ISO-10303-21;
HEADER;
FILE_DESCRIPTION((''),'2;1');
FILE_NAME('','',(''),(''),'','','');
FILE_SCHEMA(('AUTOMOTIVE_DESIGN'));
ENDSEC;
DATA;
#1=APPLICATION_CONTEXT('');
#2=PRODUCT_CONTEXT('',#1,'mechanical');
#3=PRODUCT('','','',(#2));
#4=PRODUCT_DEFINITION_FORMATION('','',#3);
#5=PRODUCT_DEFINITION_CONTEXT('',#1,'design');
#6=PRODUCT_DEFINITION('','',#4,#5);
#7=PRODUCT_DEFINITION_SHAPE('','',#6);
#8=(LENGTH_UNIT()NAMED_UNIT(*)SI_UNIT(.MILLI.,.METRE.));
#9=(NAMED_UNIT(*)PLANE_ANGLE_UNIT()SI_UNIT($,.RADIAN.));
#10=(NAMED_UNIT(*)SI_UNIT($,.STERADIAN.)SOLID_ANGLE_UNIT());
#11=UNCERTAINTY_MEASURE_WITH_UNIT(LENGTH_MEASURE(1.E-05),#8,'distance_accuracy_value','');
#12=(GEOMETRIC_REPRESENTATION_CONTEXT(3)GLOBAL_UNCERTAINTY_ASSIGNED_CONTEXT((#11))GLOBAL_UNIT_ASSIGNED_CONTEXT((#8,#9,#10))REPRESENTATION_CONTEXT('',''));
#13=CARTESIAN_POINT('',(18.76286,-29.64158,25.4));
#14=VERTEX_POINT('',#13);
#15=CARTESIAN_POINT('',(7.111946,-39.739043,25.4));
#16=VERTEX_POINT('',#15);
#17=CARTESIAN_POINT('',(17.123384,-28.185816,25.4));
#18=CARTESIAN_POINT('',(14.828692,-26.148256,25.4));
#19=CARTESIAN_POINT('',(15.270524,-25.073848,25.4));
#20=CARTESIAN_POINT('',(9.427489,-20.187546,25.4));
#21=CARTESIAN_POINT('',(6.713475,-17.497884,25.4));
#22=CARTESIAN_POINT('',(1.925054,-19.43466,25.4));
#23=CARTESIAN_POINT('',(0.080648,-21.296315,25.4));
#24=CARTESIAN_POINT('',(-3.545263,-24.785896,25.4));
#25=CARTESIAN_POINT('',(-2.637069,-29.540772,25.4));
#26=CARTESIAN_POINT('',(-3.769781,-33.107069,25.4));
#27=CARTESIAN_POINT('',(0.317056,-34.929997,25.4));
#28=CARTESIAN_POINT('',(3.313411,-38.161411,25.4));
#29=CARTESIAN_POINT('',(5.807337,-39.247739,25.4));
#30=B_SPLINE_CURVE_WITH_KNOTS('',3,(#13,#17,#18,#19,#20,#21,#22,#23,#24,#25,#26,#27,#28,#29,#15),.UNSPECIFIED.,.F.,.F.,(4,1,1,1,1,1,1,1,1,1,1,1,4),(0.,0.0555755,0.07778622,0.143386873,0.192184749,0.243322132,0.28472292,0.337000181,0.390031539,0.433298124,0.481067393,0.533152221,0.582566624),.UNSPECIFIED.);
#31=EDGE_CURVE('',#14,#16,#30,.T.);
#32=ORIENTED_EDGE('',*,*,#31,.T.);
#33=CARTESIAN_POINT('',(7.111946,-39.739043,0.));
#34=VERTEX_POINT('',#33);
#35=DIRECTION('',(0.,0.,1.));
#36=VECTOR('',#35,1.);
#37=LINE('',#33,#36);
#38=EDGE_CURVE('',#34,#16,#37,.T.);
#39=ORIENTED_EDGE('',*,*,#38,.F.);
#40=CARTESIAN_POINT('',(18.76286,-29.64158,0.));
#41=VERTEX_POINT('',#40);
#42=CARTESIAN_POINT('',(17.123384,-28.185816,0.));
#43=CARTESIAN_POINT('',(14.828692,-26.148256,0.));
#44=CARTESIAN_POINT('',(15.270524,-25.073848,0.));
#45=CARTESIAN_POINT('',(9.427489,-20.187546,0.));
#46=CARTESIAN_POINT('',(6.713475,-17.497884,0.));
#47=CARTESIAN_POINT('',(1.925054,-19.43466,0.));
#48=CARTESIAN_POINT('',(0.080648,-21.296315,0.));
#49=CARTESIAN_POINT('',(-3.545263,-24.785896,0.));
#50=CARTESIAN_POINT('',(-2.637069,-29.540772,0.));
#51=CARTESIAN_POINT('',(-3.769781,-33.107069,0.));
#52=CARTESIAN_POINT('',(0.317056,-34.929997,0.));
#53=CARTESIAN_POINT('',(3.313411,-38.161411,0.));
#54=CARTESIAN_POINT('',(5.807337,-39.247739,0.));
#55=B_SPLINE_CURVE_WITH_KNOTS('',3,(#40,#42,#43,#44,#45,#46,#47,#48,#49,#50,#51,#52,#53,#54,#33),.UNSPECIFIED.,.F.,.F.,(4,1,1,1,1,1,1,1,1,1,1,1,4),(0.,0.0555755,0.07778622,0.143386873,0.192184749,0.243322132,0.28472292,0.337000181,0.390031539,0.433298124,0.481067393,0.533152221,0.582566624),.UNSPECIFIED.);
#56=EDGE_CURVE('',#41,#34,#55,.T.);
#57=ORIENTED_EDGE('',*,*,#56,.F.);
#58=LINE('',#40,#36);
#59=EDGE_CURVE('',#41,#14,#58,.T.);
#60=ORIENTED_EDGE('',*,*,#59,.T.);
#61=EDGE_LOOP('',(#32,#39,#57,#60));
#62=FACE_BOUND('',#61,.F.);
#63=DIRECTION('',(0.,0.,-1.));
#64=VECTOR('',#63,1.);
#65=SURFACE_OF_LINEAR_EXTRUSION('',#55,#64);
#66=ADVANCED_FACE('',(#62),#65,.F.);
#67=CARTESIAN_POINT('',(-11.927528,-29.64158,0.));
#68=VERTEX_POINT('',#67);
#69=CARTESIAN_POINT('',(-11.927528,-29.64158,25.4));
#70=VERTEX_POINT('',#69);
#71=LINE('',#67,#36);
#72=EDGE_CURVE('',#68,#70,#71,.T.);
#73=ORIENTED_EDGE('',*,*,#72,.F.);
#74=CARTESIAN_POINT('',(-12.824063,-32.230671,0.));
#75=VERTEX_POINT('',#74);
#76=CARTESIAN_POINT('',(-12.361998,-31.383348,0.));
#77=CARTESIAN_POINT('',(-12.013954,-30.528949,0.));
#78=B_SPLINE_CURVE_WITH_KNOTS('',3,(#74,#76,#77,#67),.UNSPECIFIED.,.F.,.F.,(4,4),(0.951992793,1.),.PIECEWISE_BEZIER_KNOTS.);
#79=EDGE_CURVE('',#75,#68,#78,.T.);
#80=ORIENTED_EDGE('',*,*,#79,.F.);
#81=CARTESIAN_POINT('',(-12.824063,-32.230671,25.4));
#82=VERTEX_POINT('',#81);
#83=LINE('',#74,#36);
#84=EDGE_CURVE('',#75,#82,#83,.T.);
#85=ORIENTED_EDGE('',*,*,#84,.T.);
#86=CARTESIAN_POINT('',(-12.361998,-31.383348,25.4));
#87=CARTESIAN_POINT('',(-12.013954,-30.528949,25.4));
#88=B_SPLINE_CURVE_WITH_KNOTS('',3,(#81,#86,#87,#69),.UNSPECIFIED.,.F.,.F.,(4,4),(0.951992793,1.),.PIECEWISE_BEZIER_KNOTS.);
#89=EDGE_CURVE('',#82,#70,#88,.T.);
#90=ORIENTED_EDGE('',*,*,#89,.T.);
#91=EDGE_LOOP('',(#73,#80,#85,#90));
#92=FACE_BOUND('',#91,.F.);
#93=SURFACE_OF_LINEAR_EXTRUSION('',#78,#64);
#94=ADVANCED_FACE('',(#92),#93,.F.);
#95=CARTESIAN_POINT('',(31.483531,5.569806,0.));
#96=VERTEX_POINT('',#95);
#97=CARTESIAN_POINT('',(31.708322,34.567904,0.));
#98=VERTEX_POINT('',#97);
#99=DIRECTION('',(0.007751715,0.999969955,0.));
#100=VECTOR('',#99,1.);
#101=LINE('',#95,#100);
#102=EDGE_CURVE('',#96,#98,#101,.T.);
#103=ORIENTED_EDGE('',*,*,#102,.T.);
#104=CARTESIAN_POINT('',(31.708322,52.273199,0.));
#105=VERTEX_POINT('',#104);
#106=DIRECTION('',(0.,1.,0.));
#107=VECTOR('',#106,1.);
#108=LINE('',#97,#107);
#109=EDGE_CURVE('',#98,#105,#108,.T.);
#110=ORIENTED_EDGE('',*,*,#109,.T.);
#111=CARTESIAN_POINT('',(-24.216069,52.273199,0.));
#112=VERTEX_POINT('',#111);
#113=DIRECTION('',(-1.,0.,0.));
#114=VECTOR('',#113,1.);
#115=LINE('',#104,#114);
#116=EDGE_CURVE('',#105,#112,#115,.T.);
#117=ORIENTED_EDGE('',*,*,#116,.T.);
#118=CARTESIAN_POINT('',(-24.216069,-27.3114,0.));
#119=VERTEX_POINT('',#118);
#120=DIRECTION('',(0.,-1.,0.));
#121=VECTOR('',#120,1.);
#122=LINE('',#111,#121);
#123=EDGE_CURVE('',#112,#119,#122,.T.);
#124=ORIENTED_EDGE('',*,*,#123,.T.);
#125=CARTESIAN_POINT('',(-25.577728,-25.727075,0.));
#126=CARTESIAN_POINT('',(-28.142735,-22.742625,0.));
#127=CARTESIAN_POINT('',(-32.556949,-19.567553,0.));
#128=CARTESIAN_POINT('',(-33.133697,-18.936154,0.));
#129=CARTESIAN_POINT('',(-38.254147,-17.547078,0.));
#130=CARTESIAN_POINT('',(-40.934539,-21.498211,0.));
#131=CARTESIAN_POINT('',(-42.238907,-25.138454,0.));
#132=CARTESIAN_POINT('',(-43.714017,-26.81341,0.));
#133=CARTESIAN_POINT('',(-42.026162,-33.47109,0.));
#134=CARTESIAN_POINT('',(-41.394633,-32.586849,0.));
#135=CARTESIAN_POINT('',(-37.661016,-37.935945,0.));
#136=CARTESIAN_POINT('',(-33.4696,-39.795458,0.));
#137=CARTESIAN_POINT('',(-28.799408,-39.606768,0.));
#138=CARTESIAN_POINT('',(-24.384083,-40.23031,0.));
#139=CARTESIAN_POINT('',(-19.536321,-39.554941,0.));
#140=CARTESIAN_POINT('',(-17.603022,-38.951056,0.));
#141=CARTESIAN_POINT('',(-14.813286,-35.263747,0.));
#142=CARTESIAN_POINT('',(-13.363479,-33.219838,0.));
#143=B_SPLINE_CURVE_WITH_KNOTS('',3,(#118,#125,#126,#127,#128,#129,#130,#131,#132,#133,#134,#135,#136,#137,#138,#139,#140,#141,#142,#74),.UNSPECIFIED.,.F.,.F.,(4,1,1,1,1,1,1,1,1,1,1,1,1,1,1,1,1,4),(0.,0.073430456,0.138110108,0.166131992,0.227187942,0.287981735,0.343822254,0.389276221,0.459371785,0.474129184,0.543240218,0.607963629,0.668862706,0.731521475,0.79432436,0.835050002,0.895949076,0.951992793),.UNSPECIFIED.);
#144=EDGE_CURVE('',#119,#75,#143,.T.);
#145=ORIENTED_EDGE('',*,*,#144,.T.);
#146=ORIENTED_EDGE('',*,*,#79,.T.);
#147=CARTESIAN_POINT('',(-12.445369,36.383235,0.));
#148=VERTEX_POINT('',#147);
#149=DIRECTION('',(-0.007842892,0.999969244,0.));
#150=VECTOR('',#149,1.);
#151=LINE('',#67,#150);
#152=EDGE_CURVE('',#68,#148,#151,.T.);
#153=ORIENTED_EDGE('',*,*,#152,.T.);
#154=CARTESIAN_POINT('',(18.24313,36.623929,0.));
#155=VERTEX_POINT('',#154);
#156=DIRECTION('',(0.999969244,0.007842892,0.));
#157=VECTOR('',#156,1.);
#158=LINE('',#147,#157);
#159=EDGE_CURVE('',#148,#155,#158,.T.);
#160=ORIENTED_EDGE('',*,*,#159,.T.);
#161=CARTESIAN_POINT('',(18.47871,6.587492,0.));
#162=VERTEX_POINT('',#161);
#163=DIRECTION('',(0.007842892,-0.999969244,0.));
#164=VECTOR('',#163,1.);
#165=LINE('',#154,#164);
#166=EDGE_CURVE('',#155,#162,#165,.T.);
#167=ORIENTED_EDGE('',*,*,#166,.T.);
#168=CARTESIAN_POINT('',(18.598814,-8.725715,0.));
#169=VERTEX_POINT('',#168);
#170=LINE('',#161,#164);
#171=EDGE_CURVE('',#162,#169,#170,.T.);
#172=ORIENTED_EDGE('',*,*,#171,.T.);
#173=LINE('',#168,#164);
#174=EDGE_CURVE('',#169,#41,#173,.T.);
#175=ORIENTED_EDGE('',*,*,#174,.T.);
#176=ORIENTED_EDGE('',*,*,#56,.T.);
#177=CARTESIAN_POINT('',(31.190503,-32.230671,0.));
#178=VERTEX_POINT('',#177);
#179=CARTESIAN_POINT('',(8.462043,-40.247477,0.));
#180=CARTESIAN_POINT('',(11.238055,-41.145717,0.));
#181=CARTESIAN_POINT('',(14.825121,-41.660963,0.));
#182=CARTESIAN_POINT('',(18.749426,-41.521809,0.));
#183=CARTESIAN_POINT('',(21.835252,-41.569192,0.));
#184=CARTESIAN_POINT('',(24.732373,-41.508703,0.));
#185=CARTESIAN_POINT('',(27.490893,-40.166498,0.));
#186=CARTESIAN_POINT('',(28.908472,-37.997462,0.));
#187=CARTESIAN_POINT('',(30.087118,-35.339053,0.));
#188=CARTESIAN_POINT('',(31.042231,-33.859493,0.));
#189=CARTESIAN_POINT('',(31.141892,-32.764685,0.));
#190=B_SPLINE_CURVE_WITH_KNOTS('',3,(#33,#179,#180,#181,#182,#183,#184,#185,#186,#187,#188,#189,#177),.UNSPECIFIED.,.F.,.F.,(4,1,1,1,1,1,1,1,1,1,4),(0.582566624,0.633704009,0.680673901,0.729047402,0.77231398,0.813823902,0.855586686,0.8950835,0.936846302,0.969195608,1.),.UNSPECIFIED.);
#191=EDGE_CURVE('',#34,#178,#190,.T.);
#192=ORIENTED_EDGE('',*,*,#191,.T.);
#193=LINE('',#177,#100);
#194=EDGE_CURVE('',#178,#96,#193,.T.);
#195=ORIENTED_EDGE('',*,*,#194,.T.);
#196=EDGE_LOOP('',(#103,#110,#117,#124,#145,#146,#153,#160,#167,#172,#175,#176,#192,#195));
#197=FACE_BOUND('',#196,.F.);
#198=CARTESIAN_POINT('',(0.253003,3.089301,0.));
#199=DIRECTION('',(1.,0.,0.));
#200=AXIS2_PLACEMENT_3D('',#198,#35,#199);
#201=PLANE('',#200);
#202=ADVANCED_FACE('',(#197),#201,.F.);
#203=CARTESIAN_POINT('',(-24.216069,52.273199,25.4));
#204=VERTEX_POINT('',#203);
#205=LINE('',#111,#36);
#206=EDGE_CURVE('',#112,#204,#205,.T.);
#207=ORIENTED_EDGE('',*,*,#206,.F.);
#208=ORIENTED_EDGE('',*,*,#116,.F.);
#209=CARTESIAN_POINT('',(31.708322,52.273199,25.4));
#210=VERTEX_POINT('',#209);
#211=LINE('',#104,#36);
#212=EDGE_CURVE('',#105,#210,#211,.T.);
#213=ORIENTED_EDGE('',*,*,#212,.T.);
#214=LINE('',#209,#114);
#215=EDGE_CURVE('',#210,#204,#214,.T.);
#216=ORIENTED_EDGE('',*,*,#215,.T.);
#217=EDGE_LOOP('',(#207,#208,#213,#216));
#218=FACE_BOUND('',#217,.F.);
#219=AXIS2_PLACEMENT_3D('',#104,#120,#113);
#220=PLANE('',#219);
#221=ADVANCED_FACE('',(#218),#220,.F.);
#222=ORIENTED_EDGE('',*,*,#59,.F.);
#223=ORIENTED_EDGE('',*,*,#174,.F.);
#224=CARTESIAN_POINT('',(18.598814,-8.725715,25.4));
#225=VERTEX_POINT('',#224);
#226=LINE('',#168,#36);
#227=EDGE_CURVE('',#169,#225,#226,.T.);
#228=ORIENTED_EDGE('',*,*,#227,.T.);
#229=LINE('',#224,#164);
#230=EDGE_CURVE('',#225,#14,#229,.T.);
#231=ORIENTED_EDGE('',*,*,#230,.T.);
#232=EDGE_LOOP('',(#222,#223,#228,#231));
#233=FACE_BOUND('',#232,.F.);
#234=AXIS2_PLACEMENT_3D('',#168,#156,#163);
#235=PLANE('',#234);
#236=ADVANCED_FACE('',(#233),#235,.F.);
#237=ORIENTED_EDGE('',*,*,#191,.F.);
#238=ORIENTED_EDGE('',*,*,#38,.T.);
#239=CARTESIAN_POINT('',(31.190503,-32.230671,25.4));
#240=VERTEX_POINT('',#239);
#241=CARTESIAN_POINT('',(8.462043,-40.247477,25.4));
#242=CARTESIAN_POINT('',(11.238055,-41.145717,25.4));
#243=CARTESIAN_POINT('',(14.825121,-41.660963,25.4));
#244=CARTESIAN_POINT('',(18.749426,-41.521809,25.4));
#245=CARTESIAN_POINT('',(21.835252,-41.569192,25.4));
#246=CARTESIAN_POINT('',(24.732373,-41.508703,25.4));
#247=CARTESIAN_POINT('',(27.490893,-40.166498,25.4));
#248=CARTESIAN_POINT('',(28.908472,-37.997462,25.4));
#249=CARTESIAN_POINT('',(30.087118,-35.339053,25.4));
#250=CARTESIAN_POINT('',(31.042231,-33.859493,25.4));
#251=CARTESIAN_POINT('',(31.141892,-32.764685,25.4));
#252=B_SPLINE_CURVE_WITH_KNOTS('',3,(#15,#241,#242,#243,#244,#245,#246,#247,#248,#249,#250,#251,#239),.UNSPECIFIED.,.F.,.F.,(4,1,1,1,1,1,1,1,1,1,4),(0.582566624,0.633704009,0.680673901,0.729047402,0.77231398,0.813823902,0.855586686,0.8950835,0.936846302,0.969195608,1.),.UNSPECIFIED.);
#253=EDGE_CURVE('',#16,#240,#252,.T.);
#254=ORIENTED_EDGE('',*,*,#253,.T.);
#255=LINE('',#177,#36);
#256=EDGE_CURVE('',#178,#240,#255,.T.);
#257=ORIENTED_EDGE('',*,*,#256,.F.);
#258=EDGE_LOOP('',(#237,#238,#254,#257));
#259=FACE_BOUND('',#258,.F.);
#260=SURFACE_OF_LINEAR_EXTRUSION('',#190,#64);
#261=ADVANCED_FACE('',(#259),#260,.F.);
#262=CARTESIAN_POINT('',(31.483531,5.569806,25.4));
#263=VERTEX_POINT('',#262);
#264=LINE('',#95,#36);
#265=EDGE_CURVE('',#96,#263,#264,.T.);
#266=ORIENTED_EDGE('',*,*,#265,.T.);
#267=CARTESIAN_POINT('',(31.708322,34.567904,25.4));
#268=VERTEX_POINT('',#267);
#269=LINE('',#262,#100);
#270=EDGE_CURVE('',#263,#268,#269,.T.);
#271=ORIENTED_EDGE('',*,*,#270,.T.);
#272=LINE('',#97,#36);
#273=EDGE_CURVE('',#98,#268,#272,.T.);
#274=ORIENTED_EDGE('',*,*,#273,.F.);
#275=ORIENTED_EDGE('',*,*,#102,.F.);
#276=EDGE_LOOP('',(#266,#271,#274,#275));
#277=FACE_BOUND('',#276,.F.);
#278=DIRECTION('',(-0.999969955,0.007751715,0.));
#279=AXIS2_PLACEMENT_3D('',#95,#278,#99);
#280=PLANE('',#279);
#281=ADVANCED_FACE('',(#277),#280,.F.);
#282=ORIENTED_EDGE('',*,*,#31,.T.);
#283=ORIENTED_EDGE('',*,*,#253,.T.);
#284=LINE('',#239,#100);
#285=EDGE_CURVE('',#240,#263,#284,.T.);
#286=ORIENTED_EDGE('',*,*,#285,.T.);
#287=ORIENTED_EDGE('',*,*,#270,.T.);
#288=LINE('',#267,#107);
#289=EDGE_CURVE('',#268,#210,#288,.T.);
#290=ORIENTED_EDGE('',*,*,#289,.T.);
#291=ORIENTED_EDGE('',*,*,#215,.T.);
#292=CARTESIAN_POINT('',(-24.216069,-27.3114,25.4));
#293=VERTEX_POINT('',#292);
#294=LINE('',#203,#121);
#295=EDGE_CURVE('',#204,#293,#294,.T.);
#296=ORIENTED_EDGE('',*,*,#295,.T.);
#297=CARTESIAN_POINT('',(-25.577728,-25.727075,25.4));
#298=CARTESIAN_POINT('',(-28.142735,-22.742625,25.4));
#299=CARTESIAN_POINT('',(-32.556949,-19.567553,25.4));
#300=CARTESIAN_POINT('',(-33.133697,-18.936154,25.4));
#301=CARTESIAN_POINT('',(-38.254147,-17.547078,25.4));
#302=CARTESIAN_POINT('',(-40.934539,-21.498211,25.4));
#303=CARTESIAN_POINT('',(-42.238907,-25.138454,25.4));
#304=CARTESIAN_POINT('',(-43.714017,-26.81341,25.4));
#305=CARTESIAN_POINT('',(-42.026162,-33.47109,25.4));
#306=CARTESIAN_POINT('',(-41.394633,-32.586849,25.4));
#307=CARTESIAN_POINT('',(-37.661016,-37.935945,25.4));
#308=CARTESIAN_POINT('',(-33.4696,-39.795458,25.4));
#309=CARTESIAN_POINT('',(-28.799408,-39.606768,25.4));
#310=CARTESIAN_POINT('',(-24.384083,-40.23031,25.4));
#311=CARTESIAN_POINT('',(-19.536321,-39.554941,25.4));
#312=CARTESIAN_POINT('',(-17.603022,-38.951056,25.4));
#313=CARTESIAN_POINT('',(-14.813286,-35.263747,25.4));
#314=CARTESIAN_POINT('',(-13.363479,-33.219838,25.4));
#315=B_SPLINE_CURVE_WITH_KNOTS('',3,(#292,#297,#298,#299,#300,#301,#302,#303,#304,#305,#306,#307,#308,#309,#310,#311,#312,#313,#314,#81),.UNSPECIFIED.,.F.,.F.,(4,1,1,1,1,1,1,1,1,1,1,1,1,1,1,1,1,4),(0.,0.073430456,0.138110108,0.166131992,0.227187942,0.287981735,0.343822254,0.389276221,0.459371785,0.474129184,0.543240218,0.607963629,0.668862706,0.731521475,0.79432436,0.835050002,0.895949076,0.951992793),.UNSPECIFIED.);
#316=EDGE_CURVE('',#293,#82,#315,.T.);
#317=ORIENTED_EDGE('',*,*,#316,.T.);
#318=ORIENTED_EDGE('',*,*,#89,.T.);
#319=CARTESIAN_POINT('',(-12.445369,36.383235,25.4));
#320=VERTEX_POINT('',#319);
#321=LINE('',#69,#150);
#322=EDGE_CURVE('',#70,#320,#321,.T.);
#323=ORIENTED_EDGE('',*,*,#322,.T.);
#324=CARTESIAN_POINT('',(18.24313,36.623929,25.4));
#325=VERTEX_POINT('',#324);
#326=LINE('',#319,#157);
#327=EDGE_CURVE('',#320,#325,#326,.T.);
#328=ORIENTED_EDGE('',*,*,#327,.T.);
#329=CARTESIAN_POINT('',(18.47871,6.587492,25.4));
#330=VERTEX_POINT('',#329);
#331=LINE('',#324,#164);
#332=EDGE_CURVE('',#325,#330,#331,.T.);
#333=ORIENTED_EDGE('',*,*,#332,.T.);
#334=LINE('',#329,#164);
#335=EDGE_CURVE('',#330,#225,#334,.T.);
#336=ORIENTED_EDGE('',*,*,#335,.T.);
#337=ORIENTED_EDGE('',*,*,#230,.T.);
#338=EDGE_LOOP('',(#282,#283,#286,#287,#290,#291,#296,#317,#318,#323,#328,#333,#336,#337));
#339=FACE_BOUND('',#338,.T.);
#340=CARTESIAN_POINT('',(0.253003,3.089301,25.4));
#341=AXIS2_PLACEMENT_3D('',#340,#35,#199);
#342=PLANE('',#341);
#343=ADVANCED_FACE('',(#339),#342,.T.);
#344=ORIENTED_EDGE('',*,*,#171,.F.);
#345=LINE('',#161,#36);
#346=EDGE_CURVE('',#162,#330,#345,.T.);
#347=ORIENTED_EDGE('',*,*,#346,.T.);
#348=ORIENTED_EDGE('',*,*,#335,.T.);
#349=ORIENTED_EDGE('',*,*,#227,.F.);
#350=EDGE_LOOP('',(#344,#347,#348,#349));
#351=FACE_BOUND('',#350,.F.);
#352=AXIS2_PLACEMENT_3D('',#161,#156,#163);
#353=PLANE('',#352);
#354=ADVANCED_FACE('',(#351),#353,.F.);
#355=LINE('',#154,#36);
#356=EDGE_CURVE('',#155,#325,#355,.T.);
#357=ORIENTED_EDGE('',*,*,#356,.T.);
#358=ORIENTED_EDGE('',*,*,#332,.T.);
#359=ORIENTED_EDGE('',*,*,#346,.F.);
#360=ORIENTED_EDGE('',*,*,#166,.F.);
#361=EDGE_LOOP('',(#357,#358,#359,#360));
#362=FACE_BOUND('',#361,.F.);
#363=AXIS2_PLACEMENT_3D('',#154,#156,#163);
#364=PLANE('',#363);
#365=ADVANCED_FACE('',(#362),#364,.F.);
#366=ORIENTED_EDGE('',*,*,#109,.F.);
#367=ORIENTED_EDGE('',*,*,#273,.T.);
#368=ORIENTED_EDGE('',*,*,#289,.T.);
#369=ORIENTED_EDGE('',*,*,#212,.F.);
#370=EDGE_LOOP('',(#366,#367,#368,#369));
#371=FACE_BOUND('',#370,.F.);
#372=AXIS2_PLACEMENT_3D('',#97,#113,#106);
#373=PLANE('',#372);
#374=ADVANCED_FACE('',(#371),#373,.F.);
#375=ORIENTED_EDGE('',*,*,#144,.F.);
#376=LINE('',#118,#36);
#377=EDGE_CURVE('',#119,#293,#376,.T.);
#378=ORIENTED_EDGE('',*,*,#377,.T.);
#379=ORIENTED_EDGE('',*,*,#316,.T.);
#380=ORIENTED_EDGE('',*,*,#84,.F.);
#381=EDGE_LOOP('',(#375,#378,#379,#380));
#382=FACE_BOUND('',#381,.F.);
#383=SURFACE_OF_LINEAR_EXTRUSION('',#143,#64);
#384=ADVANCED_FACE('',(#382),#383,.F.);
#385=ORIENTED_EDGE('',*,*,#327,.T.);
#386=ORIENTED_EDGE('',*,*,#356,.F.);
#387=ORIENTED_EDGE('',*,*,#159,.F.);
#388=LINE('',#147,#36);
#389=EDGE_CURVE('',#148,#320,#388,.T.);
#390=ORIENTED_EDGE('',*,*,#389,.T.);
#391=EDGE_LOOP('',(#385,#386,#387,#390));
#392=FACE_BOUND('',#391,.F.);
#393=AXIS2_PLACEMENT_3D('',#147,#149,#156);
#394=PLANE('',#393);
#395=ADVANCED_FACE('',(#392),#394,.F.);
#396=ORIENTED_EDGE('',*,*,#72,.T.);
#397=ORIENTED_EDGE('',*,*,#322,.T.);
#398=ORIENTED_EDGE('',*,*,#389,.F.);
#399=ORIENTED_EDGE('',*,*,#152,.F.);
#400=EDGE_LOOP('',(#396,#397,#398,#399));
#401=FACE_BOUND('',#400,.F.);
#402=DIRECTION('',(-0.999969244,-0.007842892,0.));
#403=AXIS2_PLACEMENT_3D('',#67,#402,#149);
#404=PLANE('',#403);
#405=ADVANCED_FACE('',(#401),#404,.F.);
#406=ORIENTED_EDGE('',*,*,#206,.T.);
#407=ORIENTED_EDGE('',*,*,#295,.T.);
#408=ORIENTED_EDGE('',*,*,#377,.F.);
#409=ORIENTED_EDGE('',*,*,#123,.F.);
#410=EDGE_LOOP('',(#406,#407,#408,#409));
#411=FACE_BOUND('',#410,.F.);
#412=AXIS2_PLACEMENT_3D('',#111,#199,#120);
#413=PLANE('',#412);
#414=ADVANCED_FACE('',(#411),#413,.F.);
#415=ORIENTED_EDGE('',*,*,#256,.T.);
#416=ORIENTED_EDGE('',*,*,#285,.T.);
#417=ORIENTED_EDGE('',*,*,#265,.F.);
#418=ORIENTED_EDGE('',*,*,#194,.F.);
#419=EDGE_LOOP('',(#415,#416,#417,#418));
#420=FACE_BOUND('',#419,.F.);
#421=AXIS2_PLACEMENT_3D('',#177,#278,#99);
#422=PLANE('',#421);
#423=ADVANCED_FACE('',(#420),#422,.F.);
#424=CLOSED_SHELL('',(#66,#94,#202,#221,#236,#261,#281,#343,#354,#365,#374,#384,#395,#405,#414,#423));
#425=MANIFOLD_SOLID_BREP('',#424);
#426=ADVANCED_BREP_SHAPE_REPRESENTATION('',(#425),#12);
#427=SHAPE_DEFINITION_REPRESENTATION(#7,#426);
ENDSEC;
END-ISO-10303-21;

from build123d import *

# Parameters (mm, degrees)
F1_DEPTH = 25.4


with BuildPart() as f1:
    # F0 (on Top) → F1 (new body)
    with BuildSketch(Plane.XY):
        with BuildLine():
            Line((31.7083224654, 52.2731989622), (-24.2160689086, 52.2731989622))
            Line((-24.2160689086, 52.2731989622), (-24.2160689086, 6.3467985019))
            Line((-24.2160689086, 6.3467985019), (-24.2160689086, -27.311399579))
            add(Edge.make_bspline(
                [(-24.2160689086, -27.311399579), (-25.5777280404, -25.7270746992), (-28.142734514, -22.742624716), (-32.5569487136, -19.5675526848), (-33.1336974669, -18.9361536487), (-38.2541469689, -17.5470784953), (-40.9345393416, -21.4982105911), (-42.2389065008, -25.1384538531), (-43.7140167388, -26.8134097147), (-42.0261621508, -33.4710904068), (-41.3946333183, -32.5868492625), (-37.6610160692, -37.9359450768), (-33.4695999231, -39.795457875), (-28.7994079743, -39.6067684532), (-24.3840833672, -40.2303095696), (-19.536321441, -39.5549414882), (-17.6030215049, -38.9510561202), (-14.8132864587, -35.2637470679), (-13.363478844, -33.2198384817), (-12.8240631893, -32.2306714952)],
                knots=[0, 0, 0, 0, 0.0734304563, 0.138110108, 0.166131992, 0.2271879424, 0.2879817346, 0.3438222541, 0.3892762211, 0.4593717849, 0.4741291836, 0.5432402179, 0.6079636291, 0.6688627055, 0.7315214751, 0.7943243603, 0.8350500024, 0.8959490757, 0.9519927934, 0.9519927934, 0.9519927934, 0.9519927934], degree=3))
            add(Edge.make_bspline(
                [(-12.8240631893, -32.2306714952), (-12.3619982182, -31.3833482649), (-12.013954121, -30.5289490986), (-11.9275275417, -29.6415798366)],
                knots=[0.9519927934, 0.9519927934, 0.9519927934, 0.9519927934, 1, 1, 1, 1], degree=3))
            Line((-11.9275275417, -29.6415798366), (-12.0915734616, -8.7257151652))
            Line((-12.0915734616, -8.7257151652), (-12.2097891992, 6.3467985019))
            Line((-12.2097891992, 6.3467985019), (-12.4453689824, 36.3832350573))
            Line((-12.4453689824, 36.3832350573), (18.2431302799, 36.6239290554))
            Line((18.2431302799, 36.6239290554), (18.4787100632, 6.5874925))
            Line((18.4787100632, 6.5874925), (18.5988135959, -8.7257151652))
            Line((18.5988135959, -8.7257151652), (18.7628595158, -29.6415798366))
            add(Edge.make_bspline(
                [(18.7628595158, -29.6415798366), (17.1233836436, -28.1858155553), (14.8286920733, -26.1482558197), (15.2705240289, -25.0738479827), (9.4274894925, -20.1875456866), (6.7134745152, -17.497884325), (1.9250535154, -19.4346597195), (0.0806479302, -21.2963154344), (-3.545263022, -24.7858964348), (-2.6370686765, -29.5407719744), (-3.7697805637, -33.1070692956), (0.3170560072, -34.9299966136), (3.3134105588, -38.1614106075), (5.8073374822, -39.2477390451), (7.1119456552, -39.7390425205)],
                knots=[0, 0, 0, 0, 0.0555755001, 0.0777862204, 0.1433868728, 0.1921847487, 0.2433221324, 0.2847229201, 0.3370001815, 0.3900315393, 0.433298124, 0.4810673929, 0.5331522215, 0.5825666243, 0.5825666243, 0.5825666243, 0.5825666243], degree=3))
            add(Edge.make_bspline(
                [(7.1119456552, -39.7390425205), (8.4620429283, -40.247476774), (11.2380550615, -41.1457172386), (14.8251210459, -41.6609630531), (18.7494264789, -41.5218089761), (21.83525227, -41.5691921284), (24.7323734722, -41.5087031017), (27.4908925092, -40.1664978925), (28.9084722584, -37.9974624596), (30.0871179861, -35.3390525607), (31.0422313899, -33.8594934826), (31.1418920473, -32.7646848105), (31.1905033886, -32.2306714952)],
                knots=[0.5825666243, 0.5825666243, 0.5825666243, 0.5825666243, 0.6337040093, 0.6806739008, 0.7290474016, 0.7723139798, 0.8138239017, 0.8555866859, 0.8950835, 0.9368463022, 0.969195608, 1, 1, 1, 1], degree=3))
            Line((31.1905033886, -32.2306714952), (31.4835307246, 5.5698063531))
            Line((31.4835307246, 5.5698063531), (31.7083224654, 34.5679037273))
            Line((31.7083224654, 34.5679037273), (31.7083224654, 52.2731989622))
        make_face()
    extrude(amount=F1_DEPTH)


solid = f1.part
